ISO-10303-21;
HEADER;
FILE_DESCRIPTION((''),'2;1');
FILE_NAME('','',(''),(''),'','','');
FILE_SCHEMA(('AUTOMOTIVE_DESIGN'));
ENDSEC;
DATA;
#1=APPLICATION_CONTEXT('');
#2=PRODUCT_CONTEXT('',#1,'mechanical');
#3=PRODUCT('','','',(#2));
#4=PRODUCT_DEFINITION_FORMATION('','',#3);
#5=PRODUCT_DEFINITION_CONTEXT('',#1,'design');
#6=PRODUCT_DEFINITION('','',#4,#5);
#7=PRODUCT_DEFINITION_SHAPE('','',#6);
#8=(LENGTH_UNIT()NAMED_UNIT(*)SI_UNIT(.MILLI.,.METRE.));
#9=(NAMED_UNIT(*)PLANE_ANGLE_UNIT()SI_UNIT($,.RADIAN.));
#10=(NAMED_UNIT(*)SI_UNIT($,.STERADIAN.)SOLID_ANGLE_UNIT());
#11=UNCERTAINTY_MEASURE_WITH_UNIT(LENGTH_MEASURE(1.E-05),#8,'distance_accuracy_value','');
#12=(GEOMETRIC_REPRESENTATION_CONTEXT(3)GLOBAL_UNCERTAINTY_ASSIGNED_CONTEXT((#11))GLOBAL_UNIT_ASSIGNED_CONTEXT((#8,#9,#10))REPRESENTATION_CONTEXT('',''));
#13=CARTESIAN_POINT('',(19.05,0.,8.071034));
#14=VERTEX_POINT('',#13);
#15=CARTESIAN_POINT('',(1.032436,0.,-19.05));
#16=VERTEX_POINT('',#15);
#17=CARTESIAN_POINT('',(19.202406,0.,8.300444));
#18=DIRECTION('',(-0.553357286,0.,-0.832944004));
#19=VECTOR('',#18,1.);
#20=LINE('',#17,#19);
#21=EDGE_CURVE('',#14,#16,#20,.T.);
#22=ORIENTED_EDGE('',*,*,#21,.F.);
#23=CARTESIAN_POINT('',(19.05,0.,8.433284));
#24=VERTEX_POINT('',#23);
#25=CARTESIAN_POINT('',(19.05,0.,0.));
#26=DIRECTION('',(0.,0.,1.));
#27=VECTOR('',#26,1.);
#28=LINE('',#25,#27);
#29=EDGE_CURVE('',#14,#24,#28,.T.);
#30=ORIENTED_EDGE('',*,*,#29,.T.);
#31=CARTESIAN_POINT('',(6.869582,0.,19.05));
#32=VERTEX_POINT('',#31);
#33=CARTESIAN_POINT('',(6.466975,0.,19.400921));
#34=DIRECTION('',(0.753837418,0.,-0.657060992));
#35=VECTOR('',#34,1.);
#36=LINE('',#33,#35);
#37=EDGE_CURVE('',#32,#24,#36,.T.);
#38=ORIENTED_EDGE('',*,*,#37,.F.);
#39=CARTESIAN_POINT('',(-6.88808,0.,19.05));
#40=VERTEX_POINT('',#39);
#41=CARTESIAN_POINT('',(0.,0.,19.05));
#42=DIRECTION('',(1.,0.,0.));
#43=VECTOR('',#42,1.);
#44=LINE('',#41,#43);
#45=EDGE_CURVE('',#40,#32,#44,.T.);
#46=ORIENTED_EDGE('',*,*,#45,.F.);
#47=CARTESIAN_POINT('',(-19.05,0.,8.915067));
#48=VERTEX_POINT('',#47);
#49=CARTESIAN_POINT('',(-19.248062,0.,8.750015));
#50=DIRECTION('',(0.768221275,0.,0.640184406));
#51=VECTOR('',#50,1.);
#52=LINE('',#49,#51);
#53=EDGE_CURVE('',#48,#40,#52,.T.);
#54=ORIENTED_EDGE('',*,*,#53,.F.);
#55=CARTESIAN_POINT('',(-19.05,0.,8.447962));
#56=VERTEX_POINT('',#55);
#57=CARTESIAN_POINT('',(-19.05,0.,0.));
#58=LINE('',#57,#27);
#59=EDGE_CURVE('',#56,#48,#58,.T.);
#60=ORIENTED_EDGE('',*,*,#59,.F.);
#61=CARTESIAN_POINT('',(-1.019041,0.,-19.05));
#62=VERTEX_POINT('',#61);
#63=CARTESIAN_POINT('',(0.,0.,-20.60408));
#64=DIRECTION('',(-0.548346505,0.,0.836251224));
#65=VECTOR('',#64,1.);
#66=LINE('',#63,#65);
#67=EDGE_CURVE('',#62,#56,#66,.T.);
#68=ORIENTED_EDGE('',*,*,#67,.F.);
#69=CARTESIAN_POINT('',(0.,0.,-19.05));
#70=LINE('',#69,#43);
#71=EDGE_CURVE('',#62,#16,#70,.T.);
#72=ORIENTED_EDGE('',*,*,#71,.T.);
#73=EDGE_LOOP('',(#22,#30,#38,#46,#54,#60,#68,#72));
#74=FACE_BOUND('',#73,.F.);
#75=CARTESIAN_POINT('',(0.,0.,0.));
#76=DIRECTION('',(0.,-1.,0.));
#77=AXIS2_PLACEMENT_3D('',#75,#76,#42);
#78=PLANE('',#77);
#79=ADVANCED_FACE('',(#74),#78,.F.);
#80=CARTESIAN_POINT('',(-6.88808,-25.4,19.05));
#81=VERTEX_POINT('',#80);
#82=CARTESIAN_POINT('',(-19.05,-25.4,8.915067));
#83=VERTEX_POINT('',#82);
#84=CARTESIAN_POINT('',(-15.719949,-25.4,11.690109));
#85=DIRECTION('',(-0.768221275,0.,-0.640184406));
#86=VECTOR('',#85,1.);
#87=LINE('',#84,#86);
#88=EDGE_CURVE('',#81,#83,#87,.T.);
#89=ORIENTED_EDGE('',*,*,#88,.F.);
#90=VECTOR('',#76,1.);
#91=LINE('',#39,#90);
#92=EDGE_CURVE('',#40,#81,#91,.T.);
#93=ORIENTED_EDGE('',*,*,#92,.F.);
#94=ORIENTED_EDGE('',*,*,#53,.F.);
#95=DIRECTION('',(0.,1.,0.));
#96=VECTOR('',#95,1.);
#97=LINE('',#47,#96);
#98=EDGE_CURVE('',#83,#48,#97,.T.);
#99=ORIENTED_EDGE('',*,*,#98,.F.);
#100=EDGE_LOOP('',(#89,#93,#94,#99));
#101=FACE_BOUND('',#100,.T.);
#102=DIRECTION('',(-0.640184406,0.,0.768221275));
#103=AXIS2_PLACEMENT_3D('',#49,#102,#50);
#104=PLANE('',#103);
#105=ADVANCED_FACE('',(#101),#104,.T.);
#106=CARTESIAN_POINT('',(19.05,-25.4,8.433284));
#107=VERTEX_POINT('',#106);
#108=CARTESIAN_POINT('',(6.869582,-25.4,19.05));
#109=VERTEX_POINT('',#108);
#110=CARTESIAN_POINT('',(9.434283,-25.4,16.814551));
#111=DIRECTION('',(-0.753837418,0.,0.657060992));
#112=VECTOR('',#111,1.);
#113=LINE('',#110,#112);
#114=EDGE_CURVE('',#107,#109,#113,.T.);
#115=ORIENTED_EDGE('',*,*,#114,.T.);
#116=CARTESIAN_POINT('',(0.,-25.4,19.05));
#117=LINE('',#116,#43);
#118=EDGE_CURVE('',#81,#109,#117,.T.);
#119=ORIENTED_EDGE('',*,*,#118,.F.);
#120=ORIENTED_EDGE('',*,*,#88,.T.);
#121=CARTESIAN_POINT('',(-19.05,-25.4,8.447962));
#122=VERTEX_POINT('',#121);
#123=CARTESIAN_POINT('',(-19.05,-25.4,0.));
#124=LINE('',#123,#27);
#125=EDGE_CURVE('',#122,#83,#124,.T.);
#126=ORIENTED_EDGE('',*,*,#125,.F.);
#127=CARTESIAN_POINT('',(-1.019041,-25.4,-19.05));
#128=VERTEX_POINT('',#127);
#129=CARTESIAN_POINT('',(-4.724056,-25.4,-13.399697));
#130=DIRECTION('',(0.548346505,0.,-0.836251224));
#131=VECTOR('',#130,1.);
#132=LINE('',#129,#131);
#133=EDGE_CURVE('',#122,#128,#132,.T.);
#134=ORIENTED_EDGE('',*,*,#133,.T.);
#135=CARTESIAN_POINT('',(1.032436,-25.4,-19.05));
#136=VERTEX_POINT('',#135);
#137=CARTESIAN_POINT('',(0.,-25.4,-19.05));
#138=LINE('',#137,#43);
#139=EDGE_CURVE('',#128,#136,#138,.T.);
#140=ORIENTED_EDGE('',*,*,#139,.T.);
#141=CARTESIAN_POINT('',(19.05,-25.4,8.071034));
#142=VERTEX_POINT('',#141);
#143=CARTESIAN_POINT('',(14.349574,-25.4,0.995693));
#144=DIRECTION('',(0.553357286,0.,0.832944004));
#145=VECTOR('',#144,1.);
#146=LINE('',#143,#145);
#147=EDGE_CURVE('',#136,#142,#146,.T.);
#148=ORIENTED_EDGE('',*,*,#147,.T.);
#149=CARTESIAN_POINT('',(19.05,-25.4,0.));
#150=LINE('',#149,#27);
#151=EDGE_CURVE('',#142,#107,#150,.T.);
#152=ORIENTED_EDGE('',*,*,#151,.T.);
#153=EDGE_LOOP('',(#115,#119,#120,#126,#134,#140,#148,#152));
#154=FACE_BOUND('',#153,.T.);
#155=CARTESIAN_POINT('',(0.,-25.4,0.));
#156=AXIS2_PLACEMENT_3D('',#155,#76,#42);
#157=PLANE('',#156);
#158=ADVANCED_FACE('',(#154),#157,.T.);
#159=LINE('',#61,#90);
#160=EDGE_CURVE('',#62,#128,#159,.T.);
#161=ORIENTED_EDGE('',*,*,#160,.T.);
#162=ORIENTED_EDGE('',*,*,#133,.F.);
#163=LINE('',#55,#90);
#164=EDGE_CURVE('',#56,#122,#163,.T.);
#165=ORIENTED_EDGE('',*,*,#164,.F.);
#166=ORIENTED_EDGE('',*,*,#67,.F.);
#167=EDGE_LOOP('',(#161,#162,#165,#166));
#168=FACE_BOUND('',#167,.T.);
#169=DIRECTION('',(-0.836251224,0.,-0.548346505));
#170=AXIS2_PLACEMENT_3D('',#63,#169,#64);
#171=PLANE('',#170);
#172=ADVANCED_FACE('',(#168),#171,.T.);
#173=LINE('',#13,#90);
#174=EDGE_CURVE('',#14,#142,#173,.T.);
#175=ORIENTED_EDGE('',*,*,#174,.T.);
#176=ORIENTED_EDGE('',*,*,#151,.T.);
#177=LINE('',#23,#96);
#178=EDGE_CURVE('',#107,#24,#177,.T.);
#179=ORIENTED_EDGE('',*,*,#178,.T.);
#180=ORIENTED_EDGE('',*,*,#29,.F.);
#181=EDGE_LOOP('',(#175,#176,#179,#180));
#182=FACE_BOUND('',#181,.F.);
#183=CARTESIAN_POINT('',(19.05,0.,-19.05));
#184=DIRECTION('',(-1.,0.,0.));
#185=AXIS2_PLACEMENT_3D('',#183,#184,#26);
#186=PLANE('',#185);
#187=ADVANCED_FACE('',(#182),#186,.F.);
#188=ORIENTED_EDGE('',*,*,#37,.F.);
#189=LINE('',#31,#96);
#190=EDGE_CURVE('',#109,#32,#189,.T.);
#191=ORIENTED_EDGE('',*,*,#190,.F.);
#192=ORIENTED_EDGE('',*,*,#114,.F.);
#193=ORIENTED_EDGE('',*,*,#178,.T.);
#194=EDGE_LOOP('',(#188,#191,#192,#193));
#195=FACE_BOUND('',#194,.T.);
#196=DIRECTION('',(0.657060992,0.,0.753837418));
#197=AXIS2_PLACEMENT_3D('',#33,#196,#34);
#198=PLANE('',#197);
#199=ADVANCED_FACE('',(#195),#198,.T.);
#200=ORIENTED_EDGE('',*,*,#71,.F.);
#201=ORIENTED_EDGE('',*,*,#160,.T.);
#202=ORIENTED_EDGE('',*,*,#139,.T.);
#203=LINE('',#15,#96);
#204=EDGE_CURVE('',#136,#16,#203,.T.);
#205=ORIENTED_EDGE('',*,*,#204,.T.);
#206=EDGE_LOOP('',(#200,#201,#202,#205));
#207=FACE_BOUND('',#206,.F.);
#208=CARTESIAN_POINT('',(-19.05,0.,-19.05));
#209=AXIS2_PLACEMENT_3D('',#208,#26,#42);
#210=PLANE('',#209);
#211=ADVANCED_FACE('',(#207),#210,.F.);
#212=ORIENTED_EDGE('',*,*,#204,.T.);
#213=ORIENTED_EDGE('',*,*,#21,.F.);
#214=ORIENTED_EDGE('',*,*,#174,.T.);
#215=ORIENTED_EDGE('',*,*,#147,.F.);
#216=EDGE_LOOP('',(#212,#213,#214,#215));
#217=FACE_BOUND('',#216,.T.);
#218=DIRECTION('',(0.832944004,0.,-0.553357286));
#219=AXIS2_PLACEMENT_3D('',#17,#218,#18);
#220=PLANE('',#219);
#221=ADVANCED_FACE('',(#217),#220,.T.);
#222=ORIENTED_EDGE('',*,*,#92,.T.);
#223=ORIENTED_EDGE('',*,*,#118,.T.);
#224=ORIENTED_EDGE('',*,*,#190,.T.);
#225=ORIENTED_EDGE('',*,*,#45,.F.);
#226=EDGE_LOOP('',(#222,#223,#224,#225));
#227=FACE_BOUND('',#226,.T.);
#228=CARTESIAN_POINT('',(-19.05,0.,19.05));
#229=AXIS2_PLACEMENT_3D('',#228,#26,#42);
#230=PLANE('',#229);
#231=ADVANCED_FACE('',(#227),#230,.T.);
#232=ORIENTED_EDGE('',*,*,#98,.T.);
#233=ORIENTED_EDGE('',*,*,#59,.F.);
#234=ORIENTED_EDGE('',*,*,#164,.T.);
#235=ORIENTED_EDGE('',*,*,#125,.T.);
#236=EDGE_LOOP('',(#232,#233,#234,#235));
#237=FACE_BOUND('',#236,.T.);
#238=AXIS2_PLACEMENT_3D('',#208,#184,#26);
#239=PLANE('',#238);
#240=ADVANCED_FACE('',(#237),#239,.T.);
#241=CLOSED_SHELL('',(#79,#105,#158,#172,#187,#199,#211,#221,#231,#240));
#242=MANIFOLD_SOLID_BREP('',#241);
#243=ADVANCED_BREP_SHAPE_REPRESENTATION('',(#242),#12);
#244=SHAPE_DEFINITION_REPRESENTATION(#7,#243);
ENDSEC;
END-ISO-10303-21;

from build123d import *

# Parameters (mm, degrees)
F0_W     = 38.1
F0_H     = 38.1
F1_DEPTH = 25.4
F3_DEPTH = 25.401


with BuildPart() as f1:
    # F0 (on Front) → F1 (new body)
    with BuildSketch(Plane.XZ):
        Rectangle(F0_W, F0_H)
    extrude(amount=F1_DEPTH)

    # F2 (on Front) → F3 (cut, through all)
    with BuildSketch(Plane.XZ):
        Polygon((6.466975, 19.400921), (19.202406, 8.300444), (28.725397, 0), (24.51434, 32.93645), align=None)
        Polygon((19.202406, 8.300444), (0, -20.60408), (26.372609, -38.124435), align=None)
        Polygon((0, -20.60408), (-19.248062, 8.750015), (-33.237237, -26.61987), align=None)
        Polygon((-19.248062, 8.750015), (-6.466975, 19.400921), (-27.522236, 26.920658), align=None)
    extrude(amount=F3_DEPTH, mode=Mode.SUBTRACT)


solid = f1.part
